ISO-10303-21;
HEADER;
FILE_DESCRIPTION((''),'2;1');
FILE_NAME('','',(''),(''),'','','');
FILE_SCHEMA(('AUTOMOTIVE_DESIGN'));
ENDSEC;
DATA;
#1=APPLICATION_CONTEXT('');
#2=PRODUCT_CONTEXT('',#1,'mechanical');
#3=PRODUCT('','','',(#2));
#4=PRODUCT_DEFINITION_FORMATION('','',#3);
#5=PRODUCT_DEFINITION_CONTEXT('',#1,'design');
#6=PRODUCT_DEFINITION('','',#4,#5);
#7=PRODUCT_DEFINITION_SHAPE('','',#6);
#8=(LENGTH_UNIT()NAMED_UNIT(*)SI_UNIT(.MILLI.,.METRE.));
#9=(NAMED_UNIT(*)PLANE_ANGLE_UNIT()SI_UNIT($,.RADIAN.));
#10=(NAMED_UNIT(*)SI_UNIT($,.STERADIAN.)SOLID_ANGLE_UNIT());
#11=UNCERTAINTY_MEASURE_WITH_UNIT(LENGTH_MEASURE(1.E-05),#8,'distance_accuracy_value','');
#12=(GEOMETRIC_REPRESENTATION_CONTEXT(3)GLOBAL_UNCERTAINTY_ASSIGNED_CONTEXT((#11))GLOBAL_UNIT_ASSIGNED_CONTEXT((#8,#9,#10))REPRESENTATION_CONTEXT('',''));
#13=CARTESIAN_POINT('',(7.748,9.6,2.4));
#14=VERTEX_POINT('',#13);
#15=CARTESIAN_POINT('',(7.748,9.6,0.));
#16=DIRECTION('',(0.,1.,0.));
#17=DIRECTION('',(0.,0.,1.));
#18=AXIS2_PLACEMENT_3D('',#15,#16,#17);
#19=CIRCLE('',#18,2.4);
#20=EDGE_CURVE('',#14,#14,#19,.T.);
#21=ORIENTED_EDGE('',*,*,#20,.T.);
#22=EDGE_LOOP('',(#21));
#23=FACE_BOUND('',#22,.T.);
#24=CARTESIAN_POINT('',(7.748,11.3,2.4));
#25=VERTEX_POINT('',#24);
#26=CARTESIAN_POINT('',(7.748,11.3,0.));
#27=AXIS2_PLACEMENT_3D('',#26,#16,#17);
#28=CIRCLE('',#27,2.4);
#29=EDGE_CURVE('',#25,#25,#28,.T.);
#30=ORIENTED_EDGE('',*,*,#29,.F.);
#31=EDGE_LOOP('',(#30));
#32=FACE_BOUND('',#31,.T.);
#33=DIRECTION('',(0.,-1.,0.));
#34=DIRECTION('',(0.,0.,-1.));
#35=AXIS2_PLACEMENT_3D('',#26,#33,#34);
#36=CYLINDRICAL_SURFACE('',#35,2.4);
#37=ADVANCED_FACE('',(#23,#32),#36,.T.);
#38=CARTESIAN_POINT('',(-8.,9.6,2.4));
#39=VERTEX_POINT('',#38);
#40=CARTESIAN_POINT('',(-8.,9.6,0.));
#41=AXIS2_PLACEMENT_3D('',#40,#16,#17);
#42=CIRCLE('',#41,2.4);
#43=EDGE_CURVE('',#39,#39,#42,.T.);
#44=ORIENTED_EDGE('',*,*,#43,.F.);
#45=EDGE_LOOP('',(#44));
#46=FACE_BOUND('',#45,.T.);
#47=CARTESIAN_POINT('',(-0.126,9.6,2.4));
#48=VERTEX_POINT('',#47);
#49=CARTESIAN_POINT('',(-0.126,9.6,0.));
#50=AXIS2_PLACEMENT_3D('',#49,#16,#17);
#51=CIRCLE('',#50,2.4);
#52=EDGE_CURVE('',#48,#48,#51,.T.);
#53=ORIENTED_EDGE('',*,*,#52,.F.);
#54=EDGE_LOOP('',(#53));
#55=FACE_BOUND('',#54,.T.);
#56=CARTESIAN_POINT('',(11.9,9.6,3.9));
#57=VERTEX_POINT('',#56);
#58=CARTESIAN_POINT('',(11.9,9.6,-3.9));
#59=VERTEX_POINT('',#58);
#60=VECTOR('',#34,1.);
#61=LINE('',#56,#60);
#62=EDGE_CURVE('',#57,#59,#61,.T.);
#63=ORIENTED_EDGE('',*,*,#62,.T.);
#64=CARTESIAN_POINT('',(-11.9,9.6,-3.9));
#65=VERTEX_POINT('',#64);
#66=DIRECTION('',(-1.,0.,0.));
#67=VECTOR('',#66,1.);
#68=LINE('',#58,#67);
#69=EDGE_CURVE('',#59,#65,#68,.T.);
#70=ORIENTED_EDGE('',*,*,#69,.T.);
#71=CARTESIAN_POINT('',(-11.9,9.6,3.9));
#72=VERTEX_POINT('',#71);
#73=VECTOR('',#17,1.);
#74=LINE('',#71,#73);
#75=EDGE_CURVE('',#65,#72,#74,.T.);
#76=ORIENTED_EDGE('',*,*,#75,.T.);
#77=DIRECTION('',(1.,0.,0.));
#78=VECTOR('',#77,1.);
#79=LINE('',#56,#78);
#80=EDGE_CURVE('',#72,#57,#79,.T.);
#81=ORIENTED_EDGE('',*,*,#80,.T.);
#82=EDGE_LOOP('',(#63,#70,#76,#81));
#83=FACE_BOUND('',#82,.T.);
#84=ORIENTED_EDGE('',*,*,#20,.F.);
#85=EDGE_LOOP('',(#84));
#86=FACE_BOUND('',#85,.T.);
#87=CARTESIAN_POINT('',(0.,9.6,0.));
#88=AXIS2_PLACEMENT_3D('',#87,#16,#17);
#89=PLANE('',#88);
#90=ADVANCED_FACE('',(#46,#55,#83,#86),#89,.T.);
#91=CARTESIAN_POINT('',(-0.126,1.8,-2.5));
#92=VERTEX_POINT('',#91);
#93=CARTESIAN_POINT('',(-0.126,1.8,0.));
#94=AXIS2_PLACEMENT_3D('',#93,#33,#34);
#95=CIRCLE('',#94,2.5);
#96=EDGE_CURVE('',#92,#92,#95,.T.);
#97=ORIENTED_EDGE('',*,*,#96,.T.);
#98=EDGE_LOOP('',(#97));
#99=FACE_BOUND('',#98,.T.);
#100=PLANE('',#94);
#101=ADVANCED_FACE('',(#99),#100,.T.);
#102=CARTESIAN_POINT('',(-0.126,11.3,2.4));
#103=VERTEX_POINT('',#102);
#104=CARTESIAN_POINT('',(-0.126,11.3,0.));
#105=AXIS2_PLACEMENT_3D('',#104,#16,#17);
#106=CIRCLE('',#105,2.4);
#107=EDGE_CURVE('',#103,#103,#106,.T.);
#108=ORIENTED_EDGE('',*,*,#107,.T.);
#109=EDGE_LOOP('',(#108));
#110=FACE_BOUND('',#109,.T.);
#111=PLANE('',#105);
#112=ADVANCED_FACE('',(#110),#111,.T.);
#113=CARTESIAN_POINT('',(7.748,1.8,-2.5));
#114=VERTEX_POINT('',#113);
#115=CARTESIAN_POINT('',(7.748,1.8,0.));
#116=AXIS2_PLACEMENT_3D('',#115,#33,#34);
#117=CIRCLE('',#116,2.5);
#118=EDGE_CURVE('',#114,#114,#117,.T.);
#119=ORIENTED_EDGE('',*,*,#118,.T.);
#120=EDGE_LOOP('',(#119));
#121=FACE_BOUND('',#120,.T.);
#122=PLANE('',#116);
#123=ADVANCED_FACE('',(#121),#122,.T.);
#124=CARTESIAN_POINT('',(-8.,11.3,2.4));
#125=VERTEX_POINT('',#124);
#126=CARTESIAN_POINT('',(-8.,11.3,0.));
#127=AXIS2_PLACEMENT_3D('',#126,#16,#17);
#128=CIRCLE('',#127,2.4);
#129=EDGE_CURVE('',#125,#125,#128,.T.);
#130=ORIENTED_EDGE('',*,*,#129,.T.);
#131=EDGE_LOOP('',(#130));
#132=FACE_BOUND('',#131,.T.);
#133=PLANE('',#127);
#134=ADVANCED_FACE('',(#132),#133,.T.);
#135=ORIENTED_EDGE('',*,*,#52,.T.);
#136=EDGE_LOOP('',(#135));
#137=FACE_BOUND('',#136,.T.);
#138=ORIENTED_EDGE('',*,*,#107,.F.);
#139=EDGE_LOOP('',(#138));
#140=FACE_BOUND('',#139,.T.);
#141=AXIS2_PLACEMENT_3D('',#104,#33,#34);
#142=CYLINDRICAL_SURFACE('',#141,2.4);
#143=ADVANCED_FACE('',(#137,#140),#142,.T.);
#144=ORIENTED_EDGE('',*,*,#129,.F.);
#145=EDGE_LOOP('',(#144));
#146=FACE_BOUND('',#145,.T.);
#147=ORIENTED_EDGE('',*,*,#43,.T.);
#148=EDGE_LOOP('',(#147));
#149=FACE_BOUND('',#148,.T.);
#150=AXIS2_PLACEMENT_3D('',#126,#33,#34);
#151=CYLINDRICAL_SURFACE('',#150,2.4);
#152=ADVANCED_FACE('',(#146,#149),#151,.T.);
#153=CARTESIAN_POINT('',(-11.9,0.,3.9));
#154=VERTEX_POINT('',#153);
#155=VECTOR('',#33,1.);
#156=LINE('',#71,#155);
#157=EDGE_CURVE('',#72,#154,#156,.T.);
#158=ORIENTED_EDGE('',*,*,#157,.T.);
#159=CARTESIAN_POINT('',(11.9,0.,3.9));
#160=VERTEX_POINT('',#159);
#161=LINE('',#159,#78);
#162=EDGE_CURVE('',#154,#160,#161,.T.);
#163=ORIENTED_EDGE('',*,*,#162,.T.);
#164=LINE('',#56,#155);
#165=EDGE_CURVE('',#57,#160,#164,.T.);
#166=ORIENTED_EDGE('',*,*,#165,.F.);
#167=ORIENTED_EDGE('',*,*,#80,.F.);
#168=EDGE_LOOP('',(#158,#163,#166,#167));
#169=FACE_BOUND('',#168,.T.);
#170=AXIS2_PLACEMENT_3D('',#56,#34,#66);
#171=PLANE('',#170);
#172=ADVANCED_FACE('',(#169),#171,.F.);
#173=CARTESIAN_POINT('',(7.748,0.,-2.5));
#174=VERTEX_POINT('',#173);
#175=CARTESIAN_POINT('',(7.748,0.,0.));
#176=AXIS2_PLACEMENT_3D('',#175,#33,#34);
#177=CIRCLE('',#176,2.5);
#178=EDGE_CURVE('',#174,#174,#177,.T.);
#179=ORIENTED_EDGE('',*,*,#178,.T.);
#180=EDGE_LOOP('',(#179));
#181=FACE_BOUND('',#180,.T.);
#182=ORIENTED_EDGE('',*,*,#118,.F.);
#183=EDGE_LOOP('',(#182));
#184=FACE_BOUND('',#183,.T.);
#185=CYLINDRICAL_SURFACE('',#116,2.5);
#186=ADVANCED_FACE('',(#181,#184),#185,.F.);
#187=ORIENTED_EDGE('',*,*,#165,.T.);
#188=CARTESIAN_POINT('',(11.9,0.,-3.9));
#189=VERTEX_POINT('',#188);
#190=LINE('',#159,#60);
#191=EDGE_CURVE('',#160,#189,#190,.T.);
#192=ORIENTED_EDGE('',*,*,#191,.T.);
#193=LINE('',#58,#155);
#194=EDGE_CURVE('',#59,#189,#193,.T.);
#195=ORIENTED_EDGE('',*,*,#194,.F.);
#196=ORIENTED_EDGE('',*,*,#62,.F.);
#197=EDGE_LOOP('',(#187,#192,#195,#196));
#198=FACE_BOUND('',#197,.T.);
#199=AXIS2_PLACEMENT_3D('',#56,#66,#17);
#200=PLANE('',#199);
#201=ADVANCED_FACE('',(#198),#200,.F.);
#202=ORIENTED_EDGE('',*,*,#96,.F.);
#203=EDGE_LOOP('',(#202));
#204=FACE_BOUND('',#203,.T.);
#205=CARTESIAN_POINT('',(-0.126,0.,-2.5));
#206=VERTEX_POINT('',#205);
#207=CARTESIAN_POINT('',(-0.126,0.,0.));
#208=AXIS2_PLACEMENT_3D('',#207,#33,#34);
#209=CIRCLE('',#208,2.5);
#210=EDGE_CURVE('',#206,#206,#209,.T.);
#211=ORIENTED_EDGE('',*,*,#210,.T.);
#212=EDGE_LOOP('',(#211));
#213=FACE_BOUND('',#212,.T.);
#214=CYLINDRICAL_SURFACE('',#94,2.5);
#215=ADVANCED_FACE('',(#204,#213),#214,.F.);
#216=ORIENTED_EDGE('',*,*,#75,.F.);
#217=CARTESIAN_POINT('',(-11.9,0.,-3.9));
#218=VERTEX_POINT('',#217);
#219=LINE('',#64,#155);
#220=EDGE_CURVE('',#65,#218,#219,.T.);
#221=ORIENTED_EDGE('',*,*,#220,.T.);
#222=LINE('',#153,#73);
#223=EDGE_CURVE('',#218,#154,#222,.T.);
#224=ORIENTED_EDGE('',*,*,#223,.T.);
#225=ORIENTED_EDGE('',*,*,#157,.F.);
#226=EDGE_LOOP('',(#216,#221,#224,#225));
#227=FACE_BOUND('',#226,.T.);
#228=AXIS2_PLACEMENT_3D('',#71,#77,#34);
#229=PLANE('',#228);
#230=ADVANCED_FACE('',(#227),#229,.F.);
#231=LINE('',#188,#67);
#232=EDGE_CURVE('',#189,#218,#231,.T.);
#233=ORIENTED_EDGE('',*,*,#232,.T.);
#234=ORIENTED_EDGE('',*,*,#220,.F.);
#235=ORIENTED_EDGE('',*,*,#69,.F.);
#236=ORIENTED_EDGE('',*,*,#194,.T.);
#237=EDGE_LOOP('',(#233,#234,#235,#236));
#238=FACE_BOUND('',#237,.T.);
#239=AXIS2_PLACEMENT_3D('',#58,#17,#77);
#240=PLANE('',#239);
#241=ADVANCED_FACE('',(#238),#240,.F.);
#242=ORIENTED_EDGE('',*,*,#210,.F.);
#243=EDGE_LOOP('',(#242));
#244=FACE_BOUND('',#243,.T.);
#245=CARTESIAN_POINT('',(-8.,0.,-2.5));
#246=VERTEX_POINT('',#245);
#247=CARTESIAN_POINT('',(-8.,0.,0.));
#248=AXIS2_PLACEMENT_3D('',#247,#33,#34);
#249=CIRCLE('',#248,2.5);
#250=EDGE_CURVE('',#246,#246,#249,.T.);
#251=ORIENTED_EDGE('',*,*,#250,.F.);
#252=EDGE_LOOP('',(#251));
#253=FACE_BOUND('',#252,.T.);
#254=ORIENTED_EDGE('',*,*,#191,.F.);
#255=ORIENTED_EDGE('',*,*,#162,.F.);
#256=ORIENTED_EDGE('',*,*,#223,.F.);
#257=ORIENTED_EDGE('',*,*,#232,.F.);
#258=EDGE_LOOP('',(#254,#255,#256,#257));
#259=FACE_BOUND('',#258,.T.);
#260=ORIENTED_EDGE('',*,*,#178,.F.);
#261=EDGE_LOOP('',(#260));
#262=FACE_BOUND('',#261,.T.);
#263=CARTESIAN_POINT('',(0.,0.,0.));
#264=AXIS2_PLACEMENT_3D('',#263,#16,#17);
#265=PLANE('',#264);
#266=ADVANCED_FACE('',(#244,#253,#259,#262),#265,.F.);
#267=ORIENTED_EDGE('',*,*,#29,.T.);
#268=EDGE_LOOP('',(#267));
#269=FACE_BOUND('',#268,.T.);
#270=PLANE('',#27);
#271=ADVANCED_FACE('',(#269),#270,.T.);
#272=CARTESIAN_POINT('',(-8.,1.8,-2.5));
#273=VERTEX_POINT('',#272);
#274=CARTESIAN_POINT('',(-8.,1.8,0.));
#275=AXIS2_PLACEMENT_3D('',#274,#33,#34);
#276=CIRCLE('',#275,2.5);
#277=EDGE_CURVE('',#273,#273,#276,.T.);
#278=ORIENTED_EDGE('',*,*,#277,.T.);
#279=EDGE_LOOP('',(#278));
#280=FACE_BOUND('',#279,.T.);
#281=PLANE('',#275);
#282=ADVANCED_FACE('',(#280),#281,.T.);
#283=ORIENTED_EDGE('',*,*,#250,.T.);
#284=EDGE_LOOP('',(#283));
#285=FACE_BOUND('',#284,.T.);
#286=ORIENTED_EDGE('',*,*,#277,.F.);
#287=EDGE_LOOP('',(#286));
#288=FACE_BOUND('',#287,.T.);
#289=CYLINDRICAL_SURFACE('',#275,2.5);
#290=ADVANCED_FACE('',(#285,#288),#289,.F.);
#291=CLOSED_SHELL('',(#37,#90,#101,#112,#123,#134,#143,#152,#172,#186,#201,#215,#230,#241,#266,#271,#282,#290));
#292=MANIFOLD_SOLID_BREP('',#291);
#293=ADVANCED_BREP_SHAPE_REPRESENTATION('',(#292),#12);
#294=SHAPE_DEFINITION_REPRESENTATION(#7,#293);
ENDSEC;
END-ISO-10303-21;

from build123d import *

# Parameters (mm, degrees)
SKETCH_1_W          = 23.8
SKETCH_1_H          = 7.8
EXTRUDE_2_DEPTH     = 9.6
SKETCH_3_R          = 2.4
EXTRUDE_3_DEPTH     = 1.7
SKETCH_4_R          = 2.5
CUT_EXTRUDE_1_DEPTH = 1.8


with BuildPart() as part:
    # Эскиз1 → Бобышка-Вытянуть2 (new body)
    with BuildSketch(Plane(origin=(0, 0, 0), x_dir=(1, 0, 0), z_dir=(0, 1, 0))):
        Rectangle(SKETCH_1_W, SKETCH_1_H)
    extrude(amount=EXTRUDE_2_DEPTH)

    # Эскиз3 → Бобышка-Вытянуть3 (add)
    with BuildSketch(Plane(origin=(0, 9.6, 0), x_dir=(1, 0, 0), z_dir=(0, 1, 0))):
        with Locations(Location((-8, 0, 0), (0, 0, 270))):
            Circle(SKETCH_3_R)
        with Locations(Location((-0.126, 0, 0), (0, 0, 270))):
            Circle(SKETCH_3_R)
        with Locations(Location((7.748, 0, 0), (0, 0, 270))):
            Circle(SKETCH_3_R)
    extrude(amount=EXTRUDE_3_DEPTH)

    # Эскиз4 → Вырез-Вытянуть1 (cut)
    with BuildSketch(Plane.XZ):
        with Locations(Location((-8, 0, 0), (0, 0, 270))):
            Circle(SKETCH_4_R)
        with Locations(Location((-0.126, 0, 0), (0, 0, 270))):
            Circle(SKETCH_4_R)
        with Locations(Location((7.748, 0, 0), (0, 0, 270))):
            Circle(SKETCH_4_R)
    extrude(amount=-CUT_EXTRUDE_1_DEPTH, mode=Mode.SUBTRACT)


solid = part.part
